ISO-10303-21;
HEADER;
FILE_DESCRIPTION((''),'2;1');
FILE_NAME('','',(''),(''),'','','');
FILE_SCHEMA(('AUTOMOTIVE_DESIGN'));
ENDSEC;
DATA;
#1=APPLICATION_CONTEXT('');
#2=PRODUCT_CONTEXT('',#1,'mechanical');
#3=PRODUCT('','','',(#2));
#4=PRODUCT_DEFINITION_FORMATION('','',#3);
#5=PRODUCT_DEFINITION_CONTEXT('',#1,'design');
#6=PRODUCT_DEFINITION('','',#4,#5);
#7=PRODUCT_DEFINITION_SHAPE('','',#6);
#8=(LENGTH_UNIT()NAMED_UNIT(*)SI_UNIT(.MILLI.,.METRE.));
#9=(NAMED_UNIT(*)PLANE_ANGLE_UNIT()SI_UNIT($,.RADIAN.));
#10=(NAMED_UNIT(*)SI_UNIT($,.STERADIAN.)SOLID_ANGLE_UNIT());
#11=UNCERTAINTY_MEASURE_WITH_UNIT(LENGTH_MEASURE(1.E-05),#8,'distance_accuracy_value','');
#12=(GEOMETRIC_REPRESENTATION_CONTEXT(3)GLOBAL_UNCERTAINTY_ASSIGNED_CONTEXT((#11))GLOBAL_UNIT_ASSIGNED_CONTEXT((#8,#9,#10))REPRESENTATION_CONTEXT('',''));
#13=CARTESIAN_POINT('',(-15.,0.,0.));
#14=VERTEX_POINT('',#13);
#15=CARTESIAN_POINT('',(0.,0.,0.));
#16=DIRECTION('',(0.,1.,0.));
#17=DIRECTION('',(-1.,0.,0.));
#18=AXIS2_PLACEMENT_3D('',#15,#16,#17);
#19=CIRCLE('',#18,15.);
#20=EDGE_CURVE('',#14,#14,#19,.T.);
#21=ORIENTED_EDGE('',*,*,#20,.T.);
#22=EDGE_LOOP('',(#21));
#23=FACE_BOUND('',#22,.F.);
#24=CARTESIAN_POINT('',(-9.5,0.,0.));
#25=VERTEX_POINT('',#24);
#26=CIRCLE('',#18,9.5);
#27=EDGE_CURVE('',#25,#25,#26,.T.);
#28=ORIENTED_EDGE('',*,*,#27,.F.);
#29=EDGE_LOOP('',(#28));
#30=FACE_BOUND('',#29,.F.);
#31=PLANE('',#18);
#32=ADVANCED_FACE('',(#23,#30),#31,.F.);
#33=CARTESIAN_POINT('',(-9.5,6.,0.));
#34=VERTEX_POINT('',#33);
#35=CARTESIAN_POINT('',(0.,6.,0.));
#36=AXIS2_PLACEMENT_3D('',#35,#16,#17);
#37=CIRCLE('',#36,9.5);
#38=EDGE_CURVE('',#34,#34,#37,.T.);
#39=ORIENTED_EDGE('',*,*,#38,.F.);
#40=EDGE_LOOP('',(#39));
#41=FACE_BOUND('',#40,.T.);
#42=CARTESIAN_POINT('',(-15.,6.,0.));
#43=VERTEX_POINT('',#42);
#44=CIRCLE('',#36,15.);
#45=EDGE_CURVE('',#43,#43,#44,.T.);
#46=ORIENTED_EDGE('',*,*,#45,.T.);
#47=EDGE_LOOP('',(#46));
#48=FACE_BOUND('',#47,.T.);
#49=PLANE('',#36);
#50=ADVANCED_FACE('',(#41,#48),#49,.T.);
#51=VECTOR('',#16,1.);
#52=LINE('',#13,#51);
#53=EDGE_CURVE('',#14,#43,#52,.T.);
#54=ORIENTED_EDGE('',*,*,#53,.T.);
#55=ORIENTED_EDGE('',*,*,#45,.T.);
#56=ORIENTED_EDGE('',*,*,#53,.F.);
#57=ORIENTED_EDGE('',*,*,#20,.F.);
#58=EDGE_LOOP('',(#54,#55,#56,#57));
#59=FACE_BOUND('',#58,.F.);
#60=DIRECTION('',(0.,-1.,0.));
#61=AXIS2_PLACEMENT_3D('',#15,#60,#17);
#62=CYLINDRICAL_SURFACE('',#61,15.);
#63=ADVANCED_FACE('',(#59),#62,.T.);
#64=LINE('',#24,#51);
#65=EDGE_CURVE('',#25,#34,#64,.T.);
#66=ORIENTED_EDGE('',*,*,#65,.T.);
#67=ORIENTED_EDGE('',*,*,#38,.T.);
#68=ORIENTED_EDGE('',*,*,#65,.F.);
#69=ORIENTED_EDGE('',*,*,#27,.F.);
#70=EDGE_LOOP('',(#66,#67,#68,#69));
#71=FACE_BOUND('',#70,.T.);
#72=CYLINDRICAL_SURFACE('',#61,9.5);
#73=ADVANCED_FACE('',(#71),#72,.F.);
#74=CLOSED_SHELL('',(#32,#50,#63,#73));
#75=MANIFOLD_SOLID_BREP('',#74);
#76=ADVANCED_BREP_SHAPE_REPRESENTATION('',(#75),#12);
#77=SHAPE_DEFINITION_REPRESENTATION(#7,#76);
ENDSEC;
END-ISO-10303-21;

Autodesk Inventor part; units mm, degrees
ref_plane "YZ Plane" through (0, 0, 0) normal (1, 0, 0) x (0, 1, 0)
ref_plane "XZ Plane" through (0, 0, 0) normal (0, 1, 0) x (-1, 0, 0)
ref_plane "XY Plane" through (0, 0, 0) normal (0, 0, 1) x (1, 0, 0)
sketch "Sketch1" plane through (0, 0, 0) normal (0, 1, 0) x (-1, 0, 0)
  circle A0 centre (0, 0) radius 9.5
  circle A1 centre (0, 0) radius 15
  dimension "d0" = 19
  dimension "d1" = 30
extrude "Extrusion1" add sketch "Sketch1" along normal blind 6
properties part number "e_spacer 6mm"
